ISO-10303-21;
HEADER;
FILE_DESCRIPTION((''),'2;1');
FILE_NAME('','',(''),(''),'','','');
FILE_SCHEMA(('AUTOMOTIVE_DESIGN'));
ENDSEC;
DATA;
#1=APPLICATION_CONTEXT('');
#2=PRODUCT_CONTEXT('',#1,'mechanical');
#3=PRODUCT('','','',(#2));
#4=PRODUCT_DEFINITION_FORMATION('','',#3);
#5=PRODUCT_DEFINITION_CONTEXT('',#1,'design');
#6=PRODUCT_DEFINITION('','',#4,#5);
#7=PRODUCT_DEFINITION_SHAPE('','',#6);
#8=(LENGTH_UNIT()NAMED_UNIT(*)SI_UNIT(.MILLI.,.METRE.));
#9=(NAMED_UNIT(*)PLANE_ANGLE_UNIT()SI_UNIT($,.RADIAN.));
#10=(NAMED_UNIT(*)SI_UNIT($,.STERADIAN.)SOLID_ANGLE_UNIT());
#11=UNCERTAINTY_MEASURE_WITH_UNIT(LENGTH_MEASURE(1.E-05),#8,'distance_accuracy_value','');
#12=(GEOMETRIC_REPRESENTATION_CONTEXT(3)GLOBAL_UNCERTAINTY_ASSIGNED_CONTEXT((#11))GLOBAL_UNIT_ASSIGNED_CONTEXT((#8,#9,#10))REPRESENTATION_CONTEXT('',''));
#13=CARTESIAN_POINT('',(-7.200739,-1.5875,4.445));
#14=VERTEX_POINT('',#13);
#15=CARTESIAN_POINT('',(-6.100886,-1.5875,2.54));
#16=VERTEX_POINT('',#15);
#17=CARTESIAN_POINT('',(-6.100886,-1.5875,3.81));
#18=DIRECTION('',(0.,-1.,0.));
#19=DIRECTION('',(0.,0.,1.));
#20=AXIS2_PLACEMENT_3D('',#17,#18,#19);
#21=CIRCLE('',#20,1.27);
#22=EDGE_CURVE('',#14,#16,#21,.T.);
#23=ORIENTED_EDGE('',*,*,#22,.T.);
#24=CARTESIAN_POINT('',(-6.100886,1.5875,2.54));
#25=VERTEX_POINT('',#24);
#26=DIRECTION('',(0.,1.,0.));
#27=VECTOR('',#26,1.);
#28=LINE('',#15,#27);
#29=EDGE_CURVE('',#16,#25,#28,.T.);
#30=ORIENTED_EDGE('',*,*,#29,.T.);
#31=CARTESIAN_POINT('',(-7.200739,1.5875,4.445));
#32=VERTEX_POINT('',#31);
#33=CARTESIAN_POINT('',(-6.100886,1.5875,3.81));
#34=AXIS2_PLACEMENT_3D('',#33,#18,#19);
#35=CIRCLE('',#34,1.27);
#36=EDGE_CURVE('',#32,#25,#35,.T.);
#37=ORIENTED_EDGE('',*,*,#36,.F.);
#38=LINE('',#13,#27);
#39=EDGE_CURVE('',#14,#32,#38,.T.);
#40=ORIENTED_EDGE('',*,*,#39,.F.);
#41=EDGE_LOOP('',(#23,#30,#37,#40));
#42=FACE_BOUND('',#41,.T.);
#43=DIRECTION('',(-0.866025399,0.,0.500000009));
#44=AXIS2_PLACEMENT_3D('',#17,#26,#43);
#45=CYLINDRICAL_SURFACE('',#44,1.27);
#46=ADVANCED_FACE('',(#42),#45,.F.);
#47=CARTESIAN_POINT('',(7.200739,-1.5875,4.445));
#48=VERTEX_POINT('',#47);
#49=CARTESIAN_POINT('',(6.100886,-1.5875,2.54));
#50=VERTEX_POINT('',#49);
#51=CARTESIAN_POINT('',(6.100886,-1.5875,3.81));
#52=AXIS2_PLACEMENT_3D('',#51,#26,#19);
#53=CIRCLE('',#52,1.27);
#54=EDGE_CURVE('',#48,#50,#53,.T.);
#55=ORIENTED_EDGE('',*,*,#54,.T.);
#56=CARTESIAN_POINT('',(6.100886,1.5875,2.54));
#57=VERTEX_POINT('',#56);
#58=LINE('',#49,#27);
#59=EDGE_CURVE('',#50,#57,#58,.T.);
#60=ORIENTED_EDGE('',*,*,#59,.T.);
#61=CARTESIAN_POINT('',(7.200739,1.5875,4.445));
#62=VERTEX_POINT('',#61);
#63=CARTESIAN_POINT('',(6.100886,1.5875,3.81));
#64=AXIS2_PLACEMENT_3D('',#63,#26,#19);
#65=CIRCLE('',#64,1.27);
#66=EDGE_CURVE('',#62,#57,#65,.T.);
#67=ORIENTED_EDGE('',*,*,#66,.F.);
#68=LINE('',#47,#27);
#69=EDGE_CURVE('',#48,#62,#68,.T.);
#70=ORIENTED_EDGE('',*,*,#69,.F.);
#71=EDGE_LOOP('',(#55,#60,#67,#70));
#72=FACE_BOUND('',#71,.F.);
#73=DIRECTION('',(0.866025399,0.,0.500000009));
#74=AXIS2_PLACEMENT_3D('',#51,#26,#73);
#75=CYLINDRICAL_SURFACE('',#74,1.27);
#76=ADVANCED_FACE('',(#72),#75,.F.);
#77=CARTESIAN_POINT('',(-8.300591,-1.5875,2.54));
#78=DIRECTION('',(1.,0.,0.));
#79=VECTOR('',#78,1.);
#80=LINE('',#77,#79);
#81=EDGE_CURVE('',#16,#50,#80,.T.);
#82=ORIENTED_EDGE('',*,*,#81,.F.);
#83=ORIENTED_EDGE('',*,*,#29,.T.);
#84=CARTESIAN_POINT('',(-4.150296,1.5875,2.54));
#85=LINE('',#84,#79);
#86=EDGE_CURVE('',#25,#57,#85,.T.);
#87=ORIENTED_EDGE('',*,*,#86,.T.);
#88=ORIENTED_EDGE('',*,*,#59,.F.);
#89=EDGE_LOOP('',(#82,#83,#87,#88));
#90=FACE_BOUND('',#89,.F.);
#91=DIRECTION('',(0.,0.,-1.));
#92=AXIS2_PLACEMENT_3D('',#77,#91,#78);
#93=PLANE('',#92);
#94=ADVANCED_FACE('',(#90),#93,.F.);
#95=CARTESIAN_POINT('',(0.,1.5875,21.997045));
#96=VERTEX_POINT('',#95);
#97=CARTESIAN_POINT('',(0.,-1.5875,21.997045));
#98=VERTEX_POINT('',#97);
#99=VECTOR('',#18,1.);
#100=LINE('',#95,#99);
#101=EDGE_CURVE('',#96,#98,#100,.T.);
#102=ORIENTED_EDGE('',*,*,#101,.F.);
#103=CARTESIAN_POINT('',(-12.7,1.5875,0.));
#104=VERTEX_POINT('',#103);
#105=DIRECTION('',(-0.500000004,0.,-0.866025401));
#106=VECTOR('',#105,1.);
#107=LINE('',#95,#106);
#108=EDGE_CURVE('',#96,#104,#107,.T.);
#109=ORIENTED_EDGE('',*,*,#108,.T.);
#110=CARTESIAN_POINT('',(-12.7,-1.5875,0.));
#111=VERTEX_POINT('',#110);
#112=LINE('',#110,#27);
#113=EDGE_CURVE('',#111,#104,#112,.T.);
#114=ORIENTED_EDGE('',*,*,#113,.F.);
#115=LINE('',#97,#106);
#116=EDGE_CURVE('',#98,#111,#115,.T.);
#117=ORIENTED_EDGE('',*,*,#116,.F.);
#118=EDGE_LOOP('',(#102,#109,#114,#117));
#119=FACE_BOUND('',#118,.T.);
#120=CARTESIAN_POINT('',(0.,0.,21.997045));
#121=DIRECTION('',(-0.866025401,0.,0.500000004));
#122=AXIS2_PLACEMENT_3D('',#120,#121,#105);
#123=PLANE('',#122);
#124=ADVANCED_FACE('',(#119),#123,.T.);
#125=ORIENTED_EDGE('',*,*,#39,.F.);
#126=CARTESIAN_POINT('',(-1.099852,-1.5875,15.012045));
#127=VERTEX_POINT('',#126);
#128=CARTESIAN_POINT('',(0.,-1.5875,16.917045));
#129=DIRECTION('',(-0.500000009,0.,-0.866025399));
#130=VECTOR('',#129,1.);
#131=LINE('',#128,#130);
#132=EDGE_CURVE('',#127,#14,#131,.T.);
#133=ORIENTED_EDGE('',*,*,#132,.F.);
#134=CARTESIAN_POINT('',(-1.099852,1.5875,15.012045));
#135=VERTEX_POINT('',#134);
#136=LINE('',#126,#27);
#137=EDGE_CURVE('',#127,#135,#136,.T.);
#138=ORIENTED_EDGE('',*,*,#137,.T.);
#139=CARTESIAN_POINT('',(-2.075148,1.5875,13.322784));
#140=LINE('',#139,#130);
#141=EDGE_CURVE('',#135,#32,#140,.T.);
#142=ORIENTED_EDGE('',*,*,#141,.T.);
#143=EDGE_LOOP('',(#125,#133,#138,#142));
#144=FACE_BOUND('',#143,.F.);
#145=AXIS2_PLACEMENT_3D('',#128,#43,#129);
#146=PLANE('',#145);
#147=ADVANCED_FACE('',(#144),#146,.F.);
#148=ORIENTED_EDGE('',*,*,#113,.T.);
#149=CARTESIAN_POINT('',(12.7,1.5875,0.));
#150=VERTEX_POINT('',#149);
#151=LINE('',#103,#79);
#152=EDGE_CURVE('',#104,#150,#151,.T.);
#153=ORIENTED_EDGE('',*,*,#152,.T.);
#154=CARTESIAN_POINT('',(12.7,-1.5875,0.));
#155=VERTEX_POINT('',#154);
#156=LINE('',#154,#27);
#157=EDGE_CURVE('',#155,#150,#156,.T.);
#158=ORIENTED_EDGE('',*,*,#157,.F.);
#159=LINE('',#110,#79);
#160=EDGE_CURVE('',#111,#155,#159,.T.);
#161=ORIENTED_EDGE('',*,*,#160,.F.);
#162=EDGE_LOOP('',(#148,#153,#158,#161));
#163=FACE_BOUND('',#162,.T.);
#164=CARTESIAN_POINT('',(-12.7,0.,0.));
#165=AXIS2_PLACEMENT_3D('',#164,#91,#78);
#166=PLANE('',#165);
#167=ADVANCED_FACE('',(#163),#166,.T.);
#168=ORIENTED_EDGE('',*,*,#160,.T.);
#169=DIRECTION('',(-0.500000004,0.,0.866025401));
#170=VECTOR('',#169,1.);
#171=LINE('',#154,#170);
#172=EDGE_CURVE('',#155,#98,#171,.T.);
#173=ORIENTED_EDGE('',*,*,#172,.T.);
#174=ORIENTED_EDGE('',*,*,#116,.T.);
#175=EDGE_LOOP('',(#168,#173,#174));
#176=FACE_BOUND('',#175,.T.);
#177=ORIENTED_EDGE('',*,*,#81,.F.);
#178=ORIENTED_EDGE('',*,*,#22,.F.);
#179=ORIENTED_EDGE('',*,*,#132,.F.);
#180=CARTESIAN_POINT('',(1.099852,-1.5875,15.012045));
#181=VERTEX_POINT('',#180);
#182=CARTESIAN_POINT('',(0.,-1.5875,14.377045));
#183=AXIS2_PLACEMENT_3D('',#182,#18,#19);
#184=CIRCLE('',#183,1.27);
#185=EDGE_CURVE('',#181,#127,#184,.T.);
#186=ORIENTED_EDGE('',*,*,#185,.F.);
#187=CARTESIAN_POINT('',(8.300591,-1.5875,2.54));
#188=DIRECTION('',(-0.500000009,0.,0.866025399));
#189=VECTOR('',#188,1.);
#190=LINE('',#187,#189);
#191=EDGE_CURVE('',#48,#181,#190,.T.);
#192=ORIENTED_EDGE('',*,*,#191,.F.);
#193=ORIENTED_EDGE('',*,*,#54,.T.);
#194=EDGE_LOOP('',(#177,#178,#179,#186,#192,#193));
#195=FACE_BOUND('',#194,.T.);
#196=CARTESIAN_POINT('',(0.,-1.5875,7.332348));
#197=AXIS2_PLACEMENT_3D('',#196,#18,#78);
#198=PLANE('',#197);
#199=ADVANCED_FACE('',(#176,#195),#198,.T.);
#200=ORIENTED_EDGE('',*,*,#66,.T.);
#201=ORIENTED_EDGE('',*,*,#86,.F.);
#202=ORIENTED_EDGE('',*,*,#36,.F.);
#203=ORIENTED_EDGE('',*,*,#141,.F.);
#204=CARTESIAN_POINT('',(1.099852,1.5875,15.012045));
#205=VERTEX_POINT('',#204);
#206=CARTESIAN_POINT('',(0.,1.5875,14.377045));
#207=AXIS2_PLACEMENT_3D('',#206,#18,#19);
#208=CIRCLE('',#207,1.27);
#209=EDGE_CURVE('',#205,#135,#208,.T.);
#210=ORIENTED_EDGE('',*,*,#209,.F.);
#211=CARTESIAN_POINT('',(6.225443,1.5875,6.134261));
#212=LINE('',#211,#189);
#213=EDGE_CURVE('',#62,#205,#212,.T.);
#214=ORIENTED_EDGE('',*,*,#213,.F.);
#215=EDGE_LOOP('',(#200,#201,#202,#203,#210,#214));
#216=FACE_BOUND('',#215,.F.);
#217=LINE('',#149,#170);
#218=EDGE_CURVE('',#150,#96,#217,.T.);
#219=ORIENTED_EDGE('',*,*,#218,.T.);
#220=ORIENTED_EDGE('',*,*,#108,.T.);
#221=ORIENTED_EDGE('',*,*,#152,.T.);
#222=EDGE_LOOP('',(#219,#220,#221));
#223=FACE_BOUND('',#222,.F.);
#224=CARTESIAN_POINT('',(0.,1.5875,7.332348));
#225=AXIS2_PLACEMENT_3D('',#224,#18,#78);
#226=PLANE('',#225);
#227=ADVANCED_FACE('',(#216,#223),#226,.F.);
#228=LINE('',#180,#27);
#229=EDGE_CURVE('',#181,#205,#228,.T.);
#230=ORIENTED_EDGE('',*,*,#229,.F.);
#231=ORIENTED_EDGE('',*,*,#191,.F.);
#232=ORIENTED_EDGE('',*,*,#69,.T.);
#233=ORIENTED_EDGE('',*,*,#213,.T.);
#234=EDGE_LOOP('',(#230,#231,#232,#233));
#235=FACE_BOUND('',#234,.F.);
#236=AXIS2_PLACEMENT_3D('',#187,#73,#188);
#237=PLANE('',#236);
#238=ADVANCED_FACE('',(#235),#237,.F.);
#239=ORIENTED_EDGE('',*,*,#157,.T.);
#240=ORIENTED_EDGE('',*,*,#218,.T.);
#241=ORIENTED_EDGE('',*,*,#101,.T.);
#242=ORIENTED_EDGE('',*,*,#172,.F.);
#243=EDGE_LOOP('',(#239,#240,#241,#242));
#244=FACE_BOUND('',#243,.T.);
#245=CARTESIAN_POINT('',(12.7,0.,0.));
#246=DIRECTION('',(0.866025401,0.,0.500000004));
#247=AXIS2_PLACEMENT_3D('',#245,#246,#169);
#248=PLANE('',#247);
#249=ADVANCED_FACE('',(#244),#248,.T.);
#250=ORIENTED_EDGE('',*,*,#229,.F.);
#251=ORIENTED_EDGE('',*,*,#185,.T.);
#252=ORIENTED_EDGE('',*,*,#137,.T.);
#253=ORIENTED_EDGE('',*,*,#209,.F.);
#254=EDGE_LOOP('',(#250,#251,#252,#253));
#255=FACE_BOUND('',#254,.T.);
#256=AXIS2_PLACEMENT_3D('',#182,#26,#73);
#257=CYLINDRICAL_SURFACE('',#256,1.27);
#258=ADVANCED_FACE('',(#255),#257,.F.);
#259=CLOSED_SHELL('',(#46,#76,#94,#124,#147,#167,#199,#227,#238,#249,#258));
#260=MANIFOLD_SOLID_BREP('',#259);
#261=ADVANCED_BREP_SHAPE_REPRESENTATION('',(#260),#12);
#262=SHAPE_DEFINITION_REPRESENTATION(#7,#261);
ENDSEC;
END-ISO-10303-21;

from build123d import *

# Parameters (mm, degrees)
F1_DEPTH = 1.5875
F3_DEPTH = 3.176
F4_R     = 1.27


with BuildPart() as f1:
    # F0 (on Front) → F1 (new body, symmetric)
    with BuildSketch(Plane.XZ):
        Polygon((12.7, 0), (0, 21.997045), (-12.7, 0), align=None)
    extrude(amount=F1_DEPTH, both=True)

    # F2 (on face) → F3 (cut, through all)
    with BuildSketch(Plane.XZ.offset(1.5875)):
        Polygon((8.300591, 2.54), (0, 16.917045), (-8.300591, 2.54), align=None)
    extrude(amount=-F3_DEPTH, mode=Mode.SUBTRACT)

    # F4
    f4_edges = [f1.edges().sort_by_distance(p)[0] for p in [
        (0, 0, 16.917045),
        (8.300591, 0, 2.54),
        (-8.300591, 0, 2.54),
    ]]
    fillet(f4_edges, radius=F4_R)


solid = f1.part
